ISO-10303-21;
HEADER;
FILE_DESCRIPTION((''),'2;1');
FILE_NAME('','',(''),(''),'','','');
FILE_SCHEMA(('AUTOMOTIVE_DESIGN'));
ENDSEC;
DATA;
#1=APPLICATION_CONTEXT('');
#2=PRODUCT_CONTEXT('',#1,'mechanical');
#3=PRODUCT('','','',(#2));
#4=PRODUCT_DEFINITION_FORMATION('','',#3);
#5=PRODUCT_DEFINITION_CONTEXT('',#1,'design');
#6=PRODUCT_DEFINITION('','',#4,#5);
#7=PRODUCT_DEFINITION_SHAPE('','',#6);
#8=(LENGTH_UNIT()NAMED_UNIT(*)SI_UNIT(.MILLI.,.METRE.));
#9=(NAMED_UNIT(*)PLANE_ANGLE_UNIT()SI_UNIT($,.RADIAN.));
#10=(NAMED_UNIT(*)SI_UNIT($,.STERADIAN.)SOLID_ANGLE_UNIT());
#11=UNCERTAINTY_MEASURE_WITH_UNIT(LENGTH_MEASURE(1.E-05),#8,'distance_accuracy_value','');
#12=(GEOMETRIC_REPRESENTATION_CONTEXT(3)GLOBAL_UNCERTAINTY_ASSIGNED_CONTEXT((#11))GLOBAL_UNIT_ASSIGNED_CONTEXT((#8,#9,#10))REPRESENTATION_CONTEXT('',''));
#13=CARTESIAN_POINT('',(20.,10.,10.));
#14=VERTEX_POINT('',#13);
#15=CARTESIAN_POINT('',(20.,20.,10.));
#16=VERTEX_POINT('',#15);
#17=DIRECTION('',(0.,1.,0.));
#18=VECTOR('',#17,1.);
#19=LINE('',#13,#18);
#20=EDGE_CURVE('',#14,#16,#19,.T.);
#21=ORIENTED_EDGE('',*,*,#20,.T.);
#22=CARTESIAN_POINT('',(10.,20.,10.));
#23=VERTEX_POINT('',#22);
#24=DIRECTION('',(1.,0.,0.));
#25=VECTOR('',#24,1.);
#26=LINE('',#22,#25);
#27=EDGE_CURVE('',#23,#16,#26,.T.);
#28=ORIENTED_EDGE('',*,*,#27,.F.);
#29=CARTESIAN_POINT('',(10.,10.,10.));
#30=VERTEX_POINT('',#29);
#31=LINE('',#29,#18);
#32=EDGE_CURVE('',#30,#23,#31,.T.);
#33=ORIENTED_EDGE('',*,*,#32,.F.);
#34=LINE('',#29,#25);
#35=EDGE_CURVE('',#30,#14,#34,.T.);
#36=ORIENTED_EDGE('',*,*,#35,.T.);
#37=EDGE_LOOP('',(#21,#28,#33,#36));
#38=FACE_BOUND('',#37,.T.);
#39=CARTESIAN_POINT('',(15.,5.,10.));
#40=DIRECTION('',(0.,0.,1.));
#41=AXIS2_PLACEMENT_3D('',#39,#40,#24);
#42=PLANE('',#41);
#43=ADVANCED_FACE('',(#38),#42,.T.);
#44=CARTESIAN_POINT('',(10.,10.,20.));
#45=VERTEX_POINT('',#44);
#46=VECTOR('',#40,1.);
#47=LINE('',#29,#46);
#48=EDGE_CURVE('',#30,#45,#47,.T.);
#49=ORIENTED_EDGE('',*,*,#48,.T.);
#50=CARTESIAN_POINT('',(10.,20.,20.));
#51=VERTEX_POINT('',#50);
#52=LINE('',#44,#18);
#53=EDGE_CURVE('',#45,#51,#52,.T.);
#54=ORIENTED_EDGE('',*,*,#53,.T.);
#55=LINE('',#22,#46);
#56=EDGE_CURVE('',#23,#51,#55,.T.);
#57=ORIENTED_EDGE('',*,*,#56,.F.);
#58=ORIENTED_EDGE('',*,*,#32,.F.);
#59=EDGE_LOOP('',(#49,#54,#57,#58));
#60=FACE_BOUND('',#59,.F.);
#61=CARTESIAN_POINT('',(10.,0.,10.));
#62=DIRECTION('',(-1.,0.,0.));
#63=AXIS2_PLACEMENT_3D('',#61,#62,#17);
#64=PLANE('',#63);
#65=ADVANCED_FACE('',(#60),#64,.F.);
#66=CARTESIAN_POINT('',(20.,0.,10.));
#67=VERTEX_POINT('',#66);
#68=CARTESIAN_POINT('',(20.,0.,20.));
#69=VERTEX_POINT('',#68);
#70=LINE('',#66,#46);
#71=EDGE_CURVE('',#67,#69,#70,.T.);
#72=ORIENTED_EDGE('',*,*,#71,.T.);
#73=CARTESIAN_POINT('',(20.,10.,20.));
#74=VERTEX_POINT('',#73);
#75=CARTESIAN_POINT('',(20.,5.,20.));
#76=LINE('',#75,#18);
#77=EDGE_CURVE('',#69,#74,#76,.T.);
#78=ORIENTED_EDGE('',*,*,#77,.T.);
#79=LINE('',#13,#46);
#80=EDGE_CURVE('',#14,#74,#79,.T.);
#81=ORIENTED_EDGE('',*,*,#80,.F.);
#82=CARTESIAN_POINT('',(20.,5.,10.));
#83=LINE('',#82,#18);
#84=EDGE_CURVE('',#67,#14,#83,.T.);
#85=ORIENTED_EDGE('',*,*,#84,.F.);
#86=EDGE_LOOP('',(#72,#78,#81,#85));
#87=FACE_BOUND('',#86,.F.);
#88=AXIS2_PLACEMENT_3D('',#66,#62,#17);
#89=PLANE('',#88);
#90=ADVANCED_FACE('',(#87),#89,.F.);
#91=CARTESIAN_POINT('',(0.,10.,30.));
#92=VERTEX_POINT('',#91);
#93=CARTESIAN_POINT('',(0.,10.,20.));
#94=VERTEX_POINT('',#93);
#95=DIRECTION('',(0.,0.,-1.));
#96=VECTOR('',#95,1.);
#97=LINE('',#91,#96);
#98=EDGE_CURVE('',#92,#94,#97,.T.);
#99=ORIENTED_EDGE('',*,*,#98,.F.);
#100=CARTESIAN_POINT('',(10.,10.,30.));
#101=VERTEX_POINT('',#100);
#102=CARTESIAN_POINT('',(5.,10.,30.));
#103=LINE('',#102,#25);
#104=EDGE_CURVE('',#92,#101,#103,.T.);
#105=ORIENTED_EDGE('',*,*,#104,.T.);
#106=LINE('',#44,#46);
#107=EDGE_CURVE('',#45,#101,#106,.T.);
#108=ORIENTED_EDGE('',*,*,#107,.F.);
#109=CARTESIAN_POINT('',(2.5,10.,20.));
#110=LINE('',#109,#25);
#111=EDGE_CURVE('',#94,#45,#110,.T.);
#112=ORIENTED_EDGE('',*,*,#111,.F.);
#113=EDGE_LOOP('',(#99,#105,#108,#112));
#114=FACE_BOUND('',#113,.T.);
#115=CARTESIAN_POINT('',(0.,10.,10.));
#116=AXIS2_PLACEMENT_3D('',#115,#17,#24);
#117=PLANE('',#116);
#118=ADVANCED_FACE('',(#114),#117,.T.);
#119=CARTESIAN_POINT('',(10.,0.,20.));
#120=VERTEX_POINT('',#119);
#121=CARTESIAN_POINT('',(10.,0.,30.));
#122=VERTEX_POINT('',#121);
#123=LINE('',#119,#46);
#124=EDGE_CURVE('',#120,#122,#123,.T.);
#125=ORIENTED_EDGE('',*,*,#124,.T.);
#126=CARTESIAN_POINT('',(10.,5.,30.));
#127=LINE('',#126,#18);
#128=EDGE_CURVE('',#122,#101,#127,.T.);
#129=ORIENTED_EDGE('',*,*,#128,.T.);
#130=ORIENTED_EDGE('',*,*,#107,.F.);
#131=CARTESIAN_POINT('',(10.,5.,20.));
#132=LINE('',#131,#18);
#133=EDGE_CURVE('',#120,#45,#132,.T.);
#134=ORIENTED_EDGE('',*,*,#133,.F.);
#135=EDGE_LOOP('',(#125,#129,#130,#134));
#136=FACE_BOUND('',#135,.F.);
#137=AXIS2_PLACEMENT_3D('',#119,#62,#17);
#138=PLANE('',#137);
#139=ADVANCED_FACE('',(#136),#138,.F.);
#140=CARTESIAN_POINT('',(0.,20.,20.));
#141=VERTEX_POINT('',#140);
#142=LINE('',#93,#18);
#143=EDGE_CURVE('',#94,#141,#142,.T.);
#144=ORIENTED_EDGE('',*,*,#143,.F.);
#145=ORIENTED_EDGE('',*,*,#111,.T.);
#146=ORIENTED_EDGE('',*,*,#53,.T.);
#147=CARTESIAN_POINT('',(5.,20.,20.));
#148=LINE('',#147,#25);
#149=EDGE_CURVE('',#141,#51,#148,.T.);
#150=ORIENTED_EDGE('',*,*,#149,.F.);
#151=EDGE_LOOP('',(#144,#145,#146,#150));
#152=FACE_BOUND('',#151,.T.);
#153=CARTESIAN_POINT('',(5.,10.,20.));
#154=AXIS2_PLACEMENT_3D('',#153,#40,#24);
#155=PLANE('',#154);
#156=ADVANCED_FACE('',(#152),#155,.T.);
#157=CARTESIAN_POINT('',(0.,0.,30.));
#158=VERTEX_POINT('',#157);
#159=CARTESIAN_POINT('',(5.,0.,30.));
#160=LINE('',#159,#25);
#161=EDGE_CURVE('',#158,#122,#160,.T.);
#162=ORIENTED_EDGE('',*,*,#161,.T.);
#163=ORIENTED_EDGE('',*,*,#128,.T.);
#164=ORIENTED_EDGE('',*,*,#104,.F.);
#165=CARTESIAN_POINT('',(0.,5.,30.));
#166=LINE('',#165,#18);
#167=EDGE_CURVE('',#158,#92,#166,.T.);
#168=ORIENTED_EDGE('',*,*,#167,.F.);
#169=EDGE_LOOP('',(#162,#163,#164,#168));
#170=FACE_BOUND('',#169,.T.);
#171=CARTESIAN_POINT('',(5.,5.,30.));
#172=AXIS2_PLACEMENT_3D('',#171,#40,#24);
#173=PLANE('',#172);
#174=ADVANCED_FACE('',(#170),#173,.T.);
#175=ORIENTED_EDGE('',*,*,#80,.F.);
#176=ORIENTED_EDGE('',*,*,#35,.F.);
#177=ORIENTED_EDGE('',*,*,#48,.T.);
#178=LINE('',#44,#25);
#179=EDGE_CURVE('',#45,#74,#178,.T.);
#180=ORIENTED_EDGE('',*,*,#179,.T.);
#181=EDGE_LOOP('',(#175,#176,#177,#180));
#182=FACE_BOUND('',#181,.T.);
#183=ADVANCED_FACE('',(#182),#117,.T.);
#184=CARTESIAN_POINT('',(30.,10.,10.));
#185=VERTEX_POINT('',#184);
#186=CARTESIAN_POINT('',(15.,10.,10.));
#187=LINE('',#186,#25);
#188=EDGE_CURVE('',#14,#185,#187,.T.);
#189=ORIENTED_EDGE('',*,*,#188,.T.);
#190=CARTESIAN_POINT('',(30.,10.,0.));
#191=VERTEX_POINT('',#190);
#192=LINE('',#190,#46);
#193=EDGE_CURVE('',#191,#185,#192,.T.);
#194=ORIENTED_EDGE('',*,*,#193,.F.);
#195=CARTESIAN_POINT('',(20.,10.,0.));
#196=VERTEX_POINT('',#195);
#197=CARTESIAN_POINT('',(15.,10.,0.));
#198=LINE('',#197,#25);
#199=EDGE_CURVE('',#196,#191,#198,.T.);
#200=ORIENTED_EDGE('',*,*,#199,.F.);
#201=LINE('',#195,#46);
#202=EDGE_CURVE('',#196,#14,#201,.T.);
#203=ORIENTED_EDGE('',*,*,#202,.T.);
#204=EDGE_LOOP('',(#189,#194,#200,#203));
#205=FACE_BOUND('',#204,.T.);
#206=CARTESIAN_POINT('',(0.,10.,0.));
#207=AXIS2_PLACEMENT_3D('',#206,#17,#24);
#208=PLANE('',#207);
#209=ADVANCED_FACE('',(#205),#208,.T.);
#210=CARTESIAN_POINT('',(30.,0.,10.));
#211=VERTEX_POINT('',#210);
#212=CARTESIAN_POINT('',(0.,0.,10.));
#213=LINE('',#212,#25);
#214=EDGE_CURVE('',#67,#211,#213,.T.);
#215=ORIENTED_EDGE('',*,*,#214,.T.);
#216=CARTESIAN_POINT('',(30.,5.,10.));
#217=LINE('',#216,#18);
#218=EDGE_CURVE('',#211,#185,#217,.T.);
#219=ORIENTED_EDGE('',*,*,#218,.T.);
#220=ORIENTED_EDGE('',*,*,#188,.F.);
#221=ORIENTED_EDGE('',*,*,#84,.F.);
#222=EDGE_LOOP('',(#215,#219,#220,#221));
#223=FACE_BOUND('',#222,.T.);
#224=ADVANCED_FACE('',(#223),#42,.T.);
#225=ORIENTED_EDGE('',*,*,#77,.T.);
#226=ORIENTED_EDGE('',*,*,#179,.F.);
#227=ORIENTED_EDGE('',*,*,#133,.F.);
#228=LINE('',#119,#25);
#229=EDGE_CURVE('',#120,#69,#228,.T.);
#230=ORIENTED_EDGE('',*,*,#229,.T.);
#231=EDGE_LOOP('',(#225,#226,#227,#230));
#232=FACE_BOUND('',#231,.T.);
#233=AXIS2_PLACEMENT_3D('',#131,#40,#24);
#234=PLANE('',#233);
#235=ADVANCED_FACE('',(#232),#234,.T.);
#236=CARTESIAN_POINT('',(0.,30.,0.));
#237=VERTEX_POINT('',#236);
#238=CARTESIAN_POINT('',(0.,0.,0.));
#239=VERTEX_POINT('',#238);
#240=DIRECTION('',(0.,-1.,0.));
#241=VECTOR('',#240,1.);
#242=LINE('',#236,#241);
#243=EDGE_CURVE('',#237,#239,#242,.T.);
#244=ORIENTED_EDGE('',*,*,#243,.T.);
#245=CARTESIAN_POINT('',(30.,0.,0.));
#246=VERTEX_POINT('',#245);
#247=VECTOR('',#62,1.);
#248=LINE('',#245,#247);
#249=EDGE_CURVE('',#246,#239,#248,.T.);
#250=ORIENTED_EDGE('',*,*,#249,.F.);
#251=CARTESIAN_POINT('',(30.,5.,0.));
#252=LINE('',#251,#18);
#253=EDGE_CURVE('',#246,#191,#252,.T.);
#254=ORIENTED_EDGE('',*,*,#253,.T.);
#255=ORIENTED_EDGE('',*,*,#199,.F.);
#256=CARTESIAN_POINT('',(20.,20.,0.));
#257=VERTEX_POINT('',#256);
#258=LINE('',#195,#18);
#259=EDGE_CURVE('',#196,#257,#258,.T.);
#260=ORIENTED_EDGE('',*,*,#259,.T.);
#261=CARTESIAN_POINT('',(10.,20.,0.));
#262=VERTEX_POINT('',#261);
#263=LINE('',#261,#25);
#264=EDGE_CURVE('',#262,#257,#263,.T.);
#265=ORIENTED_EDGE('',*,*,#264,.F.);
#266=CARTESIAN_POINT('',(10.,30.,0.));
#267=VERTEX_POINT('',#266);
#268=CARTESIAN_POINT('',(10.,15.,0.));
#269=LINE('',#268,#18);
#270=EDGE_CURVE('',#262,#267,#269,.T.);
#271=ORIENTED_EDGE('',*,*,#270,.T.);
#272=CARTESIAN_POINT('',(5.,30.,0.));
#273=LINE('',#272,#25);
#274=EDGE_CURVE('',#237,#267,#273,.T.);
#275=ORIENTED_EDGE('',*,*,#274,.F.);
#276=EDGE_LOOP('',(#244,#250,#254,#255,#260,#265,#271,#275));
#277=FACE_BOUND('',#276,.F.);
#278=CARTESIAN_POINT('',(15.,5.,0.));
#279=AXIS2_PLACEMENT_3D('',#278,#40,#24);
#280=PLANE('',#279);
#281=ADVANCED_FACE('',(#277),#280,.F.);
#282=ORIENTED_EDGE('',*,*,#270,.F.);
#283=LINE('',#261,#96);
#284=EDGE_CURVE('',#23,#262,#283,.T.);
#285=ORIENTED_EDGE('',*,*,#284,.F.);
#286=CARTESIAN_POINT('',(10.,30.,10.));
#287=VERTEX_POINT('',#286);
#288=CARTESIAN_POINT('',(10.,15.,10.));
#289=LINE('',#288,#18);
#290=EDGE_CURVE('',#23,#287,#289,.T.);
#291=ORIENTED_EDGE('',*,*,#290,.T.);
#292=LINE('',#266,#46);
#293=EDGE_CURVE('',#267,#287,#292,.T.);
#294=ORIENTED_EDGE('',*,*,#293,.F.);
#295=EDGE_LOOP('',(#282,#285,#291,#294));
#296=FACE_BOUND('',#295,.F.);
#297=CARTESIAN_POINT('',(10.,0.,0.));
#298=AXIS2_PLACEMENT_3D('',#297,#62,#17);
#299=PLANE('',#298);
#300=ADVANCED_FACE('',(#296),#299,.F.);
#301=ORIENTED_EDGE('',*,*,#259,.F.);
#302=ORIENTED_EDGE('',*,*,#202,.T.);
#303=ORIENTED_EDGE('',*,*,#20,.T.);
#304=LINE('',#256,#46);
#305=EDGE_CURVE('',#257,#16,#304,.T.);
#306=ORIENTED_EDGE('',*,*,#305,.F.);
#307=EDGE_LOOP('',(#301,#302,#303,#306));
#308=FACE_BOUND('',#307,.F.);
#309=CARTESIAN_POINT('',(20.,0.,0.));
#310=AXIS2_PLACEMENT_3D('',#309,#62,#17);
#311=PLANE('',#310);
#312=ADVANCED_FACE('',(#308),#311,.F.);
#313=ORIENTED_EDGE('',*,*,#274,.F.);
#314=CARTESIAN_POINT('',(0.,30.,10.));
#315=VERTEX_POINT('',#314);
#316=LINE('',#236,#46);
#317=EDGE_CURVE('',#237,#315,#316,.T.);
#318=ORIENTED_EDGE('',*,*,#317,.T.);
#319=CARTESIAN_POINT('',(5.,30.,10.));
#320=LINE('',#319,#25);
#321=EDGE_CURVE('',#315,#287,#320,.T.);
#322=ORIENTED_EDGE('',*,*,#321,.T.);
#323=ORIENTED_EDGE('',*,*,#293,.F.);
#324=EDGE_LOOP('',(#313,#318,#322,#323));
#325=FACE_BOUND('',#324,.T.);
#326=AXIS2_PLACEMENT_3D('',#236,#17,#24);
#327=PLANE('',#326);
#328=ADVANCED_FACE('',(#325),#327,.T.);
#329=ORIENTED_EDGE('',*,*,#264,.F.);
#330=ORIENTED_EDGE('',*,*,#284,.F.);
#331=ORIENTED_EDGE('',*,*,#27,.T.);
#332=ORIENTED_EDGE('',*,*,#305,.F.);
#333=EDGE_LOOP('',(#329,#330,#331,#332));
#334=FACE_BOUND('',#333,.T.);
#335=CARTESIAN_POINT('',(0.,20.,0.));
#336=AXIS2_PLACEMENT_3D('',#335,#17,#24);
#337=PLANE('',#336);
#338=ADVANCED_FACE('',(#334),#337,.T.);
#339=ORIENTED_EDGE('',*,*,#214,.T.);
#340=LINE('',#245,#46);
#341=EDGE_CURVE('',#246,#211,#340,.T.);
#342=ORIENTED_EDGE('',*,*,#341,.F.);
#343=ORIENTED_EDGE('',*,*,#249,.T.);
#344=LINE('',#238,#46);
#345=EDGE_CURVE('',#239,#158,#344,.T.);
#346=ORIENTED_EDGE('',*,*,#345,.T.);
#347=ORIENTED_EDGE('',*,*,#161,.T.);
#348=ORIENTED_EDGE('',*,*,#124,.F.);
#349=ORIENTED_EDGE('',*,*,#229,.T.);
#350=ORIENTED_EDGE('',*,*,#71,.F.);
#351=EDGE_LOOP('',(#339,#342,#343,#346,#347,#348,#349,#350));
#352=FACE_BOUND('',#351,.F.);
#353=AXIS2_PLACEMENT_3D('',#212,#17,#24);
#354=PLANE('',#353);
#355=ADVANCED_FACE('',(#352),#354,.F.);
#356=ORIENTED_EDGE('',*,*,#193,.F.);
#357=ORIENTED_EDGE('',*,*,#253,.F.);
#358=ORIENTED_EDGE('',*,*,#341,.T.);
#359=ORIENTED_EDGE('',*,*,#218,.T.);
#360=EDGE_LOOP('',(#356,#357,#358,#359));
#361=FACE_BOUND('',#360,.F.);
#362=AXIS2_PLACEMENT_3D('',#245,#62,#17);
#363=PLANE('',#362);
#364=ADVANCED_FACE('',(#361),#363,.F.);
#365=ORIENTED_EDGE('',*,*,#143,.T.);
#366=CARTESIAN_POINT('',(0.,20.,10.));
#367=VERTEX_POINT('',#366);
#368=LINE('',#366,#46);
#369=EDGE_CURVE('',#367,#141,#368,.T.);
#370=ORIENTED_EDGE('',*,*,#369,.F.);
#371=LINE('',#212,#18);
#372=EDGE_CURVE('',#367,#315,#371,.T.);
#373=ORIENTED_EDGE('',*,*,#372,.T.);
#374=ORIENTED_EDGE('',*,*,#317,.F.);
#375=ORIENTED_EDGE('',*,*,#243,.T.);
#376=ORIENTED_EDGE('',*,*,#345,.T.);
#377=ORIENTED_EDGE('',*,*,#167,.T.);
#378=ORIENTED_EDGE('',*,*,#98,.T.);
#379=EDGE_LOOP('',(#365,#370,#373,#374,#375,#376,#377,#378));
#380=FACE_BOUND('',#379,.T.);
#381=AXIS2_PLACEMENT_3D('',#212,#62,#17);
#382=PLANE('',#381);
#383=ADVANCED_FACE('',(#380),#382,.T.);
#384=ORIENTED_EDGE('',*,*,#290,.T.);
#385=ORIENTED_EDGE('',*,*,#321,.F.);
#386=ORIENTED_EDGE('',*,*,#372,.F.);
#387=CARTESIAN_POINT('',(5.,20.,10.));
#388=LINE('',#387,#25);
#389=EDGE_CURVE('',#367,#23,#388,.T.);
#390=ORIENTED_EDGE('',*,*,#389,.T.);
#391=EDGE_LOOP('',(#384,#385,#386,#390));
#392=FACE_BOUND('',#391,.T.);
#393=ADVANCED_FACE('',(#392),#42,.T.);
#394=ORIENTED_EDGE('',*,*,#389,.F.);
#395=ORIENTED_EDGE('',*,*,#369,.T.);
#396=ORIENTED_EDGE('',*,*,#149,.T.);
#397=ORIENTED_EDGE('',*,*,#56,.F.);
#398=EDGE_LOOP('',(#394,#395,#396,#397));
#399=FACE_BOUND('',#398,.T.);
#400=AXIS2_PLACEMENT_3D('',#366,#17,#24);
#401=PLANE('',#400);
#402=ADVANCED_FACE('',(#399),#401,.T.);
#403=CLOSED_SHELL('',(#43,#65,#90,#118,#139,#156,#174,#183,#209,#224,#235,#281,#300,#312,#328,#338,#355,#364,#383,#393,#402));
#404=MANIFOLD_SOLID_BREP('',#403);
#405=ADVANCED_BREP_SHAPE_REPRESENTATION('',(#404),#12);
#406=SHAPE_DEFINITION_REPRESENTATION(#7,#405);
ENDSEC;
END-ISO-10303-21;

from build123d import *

# Parameters (mm, degrees)
BOX_W        = 30
BOX_H        = 10
BOX_DEPTH    = 10
BOX001_W     = 10
BOX001_H     = 30
BOX001_DEPTH = 10
BOX002_W     = 20
BOX002_H     = 20
BOX002_DEPTH = 10
BOX003_W     = 20
BOX003_H     = 10
BOX003_DEPTH = 10
BOX004_W     = 10
BOX004_H     = 20
BOX004_DEPTH = 10
BOX005_W     = 10
BOX005_H     = 10
BOX005_DEPTH = 10


with BuildPart() as cubo:
    # Box → Box (new body)
    with BuildSketch(Plane.XY):
        with Locations((15, 5)):
            Rectangle(BOX_W, BOX_H)
    extrude(amount=BOX_DEPTH)


with BuildPart() as cubo001:
    # Box001 → Box001 (new body)
    with BuildSketch(Plane.XY):
        with Locations((5, 15)):
            Rectangle(BOX001_W, BOX001_H)
    extrude(amount=BOX001_DEPTH)


with BuildPart() as cubo002:
    # Box002 → Box002 (new body)
    with BuildSketch(Plane.XY):
        with Locations((10, 10)):
            Rectangle(BOX002_W, BOX002_H)
    extrude(amount=BOX002_DEPTH)


with BuildPart() as cubo003:
    # Box003 → Box003 (new body)
    with BuildSketch(Plane.XY.offset(10)):
        with Locations((10, 5)):
            Rectangle(BOX003_W, BOX003_H)
    extrude(amount=BOX003_DEPTH)


with BuildPart() as cubo004:
    # Box004 → Box004 (new body)
    with BuildSketch(Plane.XY.offset(10)):
        with Locations((5, 10)):
            Rectangle(BOX004_W, BOX004_H)
    extrude(amount=BOX004_DEPTH)


with BuildPart() as fusion:
    # Box005 → Box005 (new body)
    with BuildSketch(Plane.XY.offset(20)):
        with Locations((5, 5)):
            Rectangle(BOX005_W, BOX005_H)
    extrude(amount=BOX005_DEPTH)

    # Fusion: union Cubo, Cubo001, Cubo002, Cubo003, Cubo004
    add(cubo.part)
    add(cubo001.part)
    add(cubo002.part)
    add(cubo003.part)
    add(cubo004.part)


solid = fusion.part
